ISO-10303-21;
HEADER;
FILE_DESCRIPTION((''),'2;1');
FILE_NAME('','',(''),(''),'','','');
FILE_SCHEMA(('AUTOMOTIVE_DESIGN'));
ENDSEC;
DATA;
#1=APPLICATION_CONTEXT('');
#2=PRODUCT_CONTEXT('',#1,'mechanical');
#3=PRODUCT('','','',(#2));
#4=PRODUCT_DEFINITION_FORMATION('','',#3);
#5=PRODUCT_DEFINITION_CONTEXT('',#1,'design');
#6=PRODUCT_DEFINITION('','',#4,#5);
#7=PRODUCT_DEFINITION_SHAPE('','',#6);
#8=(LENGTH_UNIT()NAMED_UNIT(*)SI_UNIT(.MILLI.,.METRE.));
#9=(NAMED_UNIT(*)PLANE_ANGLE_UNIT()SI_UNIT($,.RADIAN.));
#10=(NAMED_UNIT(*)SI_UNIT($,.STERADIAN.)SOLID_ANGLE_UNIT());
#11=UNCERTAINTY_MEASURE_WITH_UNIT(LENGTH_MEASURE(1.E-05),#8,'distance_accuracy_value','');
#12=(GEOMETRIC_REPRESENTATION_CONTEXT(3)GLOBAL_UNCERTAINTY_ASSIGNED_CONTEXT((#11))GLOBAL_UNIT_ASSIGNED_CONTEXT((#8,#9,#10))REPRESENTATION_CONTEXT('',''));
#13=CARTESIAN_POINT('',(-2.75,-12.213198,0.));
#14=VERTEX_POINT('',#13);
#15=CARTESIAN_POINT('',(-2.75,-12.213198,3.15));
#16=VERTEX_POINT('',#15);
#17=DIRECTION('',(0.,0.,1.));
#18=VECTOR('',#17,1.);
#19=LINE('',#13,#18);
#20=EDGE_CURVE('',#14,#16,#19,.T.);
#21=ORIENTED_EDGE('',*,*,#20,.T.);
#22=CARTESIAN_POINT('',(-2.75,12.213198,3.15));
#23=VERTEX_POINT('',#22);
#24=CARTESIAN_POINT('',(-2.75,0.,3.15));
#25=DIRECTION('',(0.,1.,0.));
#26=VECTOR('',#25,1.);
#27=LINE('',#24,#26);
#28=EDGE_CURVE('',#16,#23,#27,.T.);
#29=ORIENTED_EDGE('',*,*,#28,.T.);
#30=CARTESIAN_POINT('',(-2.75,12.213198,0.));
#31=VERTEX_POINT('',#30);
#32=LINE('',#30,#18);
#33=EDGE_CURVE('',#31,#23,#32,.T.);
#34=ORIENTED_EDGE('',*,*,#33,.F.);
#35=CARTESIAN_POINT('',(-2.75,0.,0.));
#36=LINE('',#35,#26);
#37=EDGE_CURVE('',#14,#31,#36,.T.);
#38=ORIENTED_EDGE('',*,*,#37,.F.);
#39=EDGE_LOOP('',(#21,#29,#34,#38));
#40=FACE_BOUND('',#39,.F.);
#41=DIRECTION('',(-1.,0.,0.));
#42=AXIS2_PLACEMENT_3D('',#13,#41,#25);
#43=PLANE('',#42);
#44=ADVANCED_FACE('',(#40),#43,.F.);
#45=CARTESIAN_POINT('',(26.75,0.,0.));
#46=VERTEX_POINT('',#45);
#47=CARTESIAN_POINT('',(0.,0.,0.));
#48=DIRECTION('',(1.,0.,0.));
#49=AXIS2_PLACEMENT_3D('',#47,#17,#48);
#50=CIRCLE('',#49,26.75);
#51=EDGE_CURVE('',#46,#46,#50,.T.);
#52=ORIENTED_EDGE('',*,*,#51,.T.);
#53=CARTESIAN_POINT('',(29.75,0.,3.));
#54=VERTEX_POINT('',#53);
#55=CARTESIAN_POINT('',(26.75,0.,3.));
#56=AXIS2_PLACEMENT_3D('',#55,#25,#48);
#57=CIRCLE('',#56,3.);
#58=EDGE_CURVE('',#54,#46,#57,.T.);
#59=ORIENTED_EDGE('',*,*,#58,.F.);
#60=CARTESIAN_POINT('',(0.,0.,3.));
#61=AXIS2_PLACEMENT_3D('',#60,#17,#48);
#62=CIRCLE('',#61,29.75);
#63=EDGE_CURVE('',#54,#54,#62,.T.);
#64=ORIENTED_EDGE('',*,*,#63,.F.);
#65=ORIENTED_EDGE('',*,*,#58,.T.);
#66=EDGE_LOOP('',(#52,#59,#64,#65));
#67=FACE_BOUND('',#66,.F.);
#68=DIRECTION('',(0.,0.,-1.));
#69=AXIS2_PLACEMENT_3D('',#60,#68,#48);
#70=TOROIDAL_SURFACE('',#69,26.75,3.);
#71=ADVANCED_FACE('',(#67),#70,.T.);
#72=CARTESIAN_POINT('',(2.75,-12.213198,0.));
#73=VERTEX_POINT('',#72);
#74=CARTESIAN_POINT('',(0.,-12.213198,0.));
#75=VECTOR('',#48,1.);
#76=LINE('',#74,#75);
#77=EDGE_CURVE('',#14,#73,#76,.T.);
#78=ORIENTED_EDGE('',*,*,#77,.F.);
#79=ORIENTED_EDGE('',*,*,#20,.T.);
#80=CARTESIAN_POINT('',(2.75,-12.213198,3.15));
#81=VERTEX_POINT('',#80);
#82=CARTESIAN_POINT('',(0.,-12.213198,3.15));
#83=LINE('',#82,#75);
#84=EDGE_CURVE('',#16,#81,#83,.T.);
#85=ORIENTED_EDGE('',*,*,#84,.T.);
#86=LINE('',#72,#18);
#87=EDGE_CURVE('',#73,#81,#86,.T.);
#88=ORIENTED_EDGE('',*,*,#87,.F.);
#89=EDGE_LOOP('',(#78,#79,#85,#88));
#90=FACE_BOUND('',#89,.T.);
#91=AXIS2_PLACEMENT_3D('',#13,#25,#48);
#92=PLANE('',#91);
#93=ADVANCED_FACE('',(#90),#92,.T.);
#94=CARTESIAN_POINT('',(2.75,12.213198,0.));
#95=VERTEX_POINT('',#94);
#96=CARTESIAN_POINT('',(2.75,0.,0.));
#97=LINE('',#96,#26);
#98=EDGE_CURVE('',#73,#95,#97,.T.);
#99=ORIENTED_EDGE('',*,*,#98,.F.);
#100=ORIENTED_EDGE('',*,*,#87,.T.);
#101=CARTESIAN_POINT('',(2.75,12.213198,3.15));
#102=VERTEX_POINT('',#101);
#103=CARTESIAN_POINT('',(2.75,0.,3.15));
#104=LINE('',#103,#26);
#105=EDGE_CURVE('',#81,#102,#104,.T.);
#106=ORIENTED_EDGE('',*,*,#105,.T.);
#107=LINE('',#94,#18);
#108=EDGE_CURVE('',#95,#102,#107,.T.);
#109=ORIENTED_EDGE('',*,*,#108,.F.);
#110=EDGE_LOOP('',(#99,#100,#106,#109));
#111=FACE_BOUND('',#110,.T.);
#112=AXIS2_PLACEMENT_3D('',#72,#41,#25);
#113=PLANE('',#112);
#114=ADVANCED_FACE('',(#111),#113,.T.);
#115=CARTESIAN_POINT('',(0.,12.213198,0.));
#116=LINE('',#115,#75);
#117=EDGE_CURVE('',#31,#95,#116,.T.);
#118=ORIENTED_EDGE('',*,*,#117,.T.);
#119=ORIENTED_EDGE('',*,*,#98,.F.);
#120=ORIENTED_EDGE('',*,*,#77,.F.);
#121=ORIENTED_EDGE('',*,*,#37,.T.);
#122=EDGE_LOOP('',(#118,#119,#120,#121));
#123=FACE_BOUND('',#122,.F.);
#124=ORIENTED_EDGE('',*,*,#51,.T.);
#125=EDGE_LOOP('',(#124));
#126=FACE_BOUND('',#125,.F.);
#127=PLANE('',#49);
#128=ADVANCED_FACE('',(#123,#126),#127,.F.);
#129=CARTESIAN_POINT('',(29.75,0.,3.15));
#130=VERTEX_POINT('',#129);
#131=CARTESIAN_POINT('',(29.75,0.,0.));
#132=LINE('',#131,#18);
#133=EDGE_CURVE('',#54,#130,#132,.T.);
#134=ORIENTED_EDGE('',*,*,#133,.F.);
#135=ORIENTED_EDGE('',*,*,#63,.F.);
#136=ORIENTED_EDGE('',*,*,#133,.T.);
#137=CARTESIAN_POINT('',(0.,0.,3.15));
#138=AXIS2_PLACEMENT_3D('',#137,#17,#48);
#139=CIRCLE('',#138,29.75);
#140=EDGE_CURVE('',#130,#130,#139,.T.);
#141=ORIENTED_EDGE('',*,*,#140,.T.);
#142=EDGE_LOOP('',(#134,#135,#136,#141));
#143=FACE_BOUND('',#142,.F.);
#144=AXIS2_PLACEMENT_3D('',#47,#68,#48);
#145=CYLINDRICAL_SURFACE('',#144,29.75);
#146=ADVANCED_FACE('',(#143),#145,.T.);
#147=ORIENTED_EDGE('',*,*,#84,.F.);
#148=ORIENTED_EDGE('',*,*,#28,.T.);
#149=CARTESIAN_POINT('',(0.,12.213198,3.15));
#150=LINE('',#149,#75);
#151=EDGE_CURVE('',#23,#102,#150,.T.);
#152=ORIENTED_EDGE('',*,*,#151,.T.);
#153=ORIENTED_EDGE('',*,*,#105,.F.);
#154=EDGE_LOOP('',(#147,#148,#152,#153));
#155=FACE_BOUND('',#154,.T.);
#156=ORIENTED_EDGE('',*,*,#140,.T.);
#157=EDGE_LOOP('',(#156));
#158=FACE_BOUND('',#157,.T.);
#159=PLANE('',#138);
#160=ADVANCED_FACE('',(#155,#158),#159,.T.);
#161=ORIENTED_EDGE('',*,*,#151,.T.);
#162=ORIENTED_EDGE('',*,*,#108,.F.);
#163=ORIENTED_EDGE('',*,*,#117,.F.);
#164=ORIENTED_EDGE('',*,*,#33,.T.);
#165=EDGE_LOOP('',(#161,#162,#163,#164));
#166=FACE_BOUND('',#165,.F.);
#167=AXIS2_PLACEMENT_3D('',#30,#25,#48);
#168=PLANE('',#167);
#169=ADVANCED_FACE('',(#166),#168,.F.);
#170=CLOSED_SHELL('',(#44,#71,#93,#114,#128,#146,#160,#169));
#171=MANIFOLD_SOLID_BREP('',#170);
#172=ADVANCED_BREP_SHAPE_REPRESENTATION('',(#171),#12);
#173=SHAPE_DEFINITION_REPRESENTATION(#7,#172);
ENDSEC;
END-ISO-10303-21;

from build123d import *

# Parameters (mm, degrees)
F0_R     = 29.75
F2_DEPTH = 3.15
F1_W     = 5.5
F1_H     = 24.426396
F3_DEPTH = 3.15
F4_R     = 3


with BuildPart() as f2:
    # F0 (on Top) → F2 (new body)
    with BuildSketch(Plane.XY):
        Circle(F0_R)
    extrude(amount=F2_DEPTH)

    # F1 (on Top) → F3 (cut)
    with BuildSketch(Plane.XY):
        Rectangle(F1_W, F1_H)
    extrude(amount=F3_DEPTH, mode=Mode.SUBTRACT)

    # F4
    f4_edges = [f2.edges().sort_by_distance(p)[0] for p in [
        (-29.75, 0, 0),
    ]]
    fillet(f4_edges, radius=F4_R)


solid = f2.part
